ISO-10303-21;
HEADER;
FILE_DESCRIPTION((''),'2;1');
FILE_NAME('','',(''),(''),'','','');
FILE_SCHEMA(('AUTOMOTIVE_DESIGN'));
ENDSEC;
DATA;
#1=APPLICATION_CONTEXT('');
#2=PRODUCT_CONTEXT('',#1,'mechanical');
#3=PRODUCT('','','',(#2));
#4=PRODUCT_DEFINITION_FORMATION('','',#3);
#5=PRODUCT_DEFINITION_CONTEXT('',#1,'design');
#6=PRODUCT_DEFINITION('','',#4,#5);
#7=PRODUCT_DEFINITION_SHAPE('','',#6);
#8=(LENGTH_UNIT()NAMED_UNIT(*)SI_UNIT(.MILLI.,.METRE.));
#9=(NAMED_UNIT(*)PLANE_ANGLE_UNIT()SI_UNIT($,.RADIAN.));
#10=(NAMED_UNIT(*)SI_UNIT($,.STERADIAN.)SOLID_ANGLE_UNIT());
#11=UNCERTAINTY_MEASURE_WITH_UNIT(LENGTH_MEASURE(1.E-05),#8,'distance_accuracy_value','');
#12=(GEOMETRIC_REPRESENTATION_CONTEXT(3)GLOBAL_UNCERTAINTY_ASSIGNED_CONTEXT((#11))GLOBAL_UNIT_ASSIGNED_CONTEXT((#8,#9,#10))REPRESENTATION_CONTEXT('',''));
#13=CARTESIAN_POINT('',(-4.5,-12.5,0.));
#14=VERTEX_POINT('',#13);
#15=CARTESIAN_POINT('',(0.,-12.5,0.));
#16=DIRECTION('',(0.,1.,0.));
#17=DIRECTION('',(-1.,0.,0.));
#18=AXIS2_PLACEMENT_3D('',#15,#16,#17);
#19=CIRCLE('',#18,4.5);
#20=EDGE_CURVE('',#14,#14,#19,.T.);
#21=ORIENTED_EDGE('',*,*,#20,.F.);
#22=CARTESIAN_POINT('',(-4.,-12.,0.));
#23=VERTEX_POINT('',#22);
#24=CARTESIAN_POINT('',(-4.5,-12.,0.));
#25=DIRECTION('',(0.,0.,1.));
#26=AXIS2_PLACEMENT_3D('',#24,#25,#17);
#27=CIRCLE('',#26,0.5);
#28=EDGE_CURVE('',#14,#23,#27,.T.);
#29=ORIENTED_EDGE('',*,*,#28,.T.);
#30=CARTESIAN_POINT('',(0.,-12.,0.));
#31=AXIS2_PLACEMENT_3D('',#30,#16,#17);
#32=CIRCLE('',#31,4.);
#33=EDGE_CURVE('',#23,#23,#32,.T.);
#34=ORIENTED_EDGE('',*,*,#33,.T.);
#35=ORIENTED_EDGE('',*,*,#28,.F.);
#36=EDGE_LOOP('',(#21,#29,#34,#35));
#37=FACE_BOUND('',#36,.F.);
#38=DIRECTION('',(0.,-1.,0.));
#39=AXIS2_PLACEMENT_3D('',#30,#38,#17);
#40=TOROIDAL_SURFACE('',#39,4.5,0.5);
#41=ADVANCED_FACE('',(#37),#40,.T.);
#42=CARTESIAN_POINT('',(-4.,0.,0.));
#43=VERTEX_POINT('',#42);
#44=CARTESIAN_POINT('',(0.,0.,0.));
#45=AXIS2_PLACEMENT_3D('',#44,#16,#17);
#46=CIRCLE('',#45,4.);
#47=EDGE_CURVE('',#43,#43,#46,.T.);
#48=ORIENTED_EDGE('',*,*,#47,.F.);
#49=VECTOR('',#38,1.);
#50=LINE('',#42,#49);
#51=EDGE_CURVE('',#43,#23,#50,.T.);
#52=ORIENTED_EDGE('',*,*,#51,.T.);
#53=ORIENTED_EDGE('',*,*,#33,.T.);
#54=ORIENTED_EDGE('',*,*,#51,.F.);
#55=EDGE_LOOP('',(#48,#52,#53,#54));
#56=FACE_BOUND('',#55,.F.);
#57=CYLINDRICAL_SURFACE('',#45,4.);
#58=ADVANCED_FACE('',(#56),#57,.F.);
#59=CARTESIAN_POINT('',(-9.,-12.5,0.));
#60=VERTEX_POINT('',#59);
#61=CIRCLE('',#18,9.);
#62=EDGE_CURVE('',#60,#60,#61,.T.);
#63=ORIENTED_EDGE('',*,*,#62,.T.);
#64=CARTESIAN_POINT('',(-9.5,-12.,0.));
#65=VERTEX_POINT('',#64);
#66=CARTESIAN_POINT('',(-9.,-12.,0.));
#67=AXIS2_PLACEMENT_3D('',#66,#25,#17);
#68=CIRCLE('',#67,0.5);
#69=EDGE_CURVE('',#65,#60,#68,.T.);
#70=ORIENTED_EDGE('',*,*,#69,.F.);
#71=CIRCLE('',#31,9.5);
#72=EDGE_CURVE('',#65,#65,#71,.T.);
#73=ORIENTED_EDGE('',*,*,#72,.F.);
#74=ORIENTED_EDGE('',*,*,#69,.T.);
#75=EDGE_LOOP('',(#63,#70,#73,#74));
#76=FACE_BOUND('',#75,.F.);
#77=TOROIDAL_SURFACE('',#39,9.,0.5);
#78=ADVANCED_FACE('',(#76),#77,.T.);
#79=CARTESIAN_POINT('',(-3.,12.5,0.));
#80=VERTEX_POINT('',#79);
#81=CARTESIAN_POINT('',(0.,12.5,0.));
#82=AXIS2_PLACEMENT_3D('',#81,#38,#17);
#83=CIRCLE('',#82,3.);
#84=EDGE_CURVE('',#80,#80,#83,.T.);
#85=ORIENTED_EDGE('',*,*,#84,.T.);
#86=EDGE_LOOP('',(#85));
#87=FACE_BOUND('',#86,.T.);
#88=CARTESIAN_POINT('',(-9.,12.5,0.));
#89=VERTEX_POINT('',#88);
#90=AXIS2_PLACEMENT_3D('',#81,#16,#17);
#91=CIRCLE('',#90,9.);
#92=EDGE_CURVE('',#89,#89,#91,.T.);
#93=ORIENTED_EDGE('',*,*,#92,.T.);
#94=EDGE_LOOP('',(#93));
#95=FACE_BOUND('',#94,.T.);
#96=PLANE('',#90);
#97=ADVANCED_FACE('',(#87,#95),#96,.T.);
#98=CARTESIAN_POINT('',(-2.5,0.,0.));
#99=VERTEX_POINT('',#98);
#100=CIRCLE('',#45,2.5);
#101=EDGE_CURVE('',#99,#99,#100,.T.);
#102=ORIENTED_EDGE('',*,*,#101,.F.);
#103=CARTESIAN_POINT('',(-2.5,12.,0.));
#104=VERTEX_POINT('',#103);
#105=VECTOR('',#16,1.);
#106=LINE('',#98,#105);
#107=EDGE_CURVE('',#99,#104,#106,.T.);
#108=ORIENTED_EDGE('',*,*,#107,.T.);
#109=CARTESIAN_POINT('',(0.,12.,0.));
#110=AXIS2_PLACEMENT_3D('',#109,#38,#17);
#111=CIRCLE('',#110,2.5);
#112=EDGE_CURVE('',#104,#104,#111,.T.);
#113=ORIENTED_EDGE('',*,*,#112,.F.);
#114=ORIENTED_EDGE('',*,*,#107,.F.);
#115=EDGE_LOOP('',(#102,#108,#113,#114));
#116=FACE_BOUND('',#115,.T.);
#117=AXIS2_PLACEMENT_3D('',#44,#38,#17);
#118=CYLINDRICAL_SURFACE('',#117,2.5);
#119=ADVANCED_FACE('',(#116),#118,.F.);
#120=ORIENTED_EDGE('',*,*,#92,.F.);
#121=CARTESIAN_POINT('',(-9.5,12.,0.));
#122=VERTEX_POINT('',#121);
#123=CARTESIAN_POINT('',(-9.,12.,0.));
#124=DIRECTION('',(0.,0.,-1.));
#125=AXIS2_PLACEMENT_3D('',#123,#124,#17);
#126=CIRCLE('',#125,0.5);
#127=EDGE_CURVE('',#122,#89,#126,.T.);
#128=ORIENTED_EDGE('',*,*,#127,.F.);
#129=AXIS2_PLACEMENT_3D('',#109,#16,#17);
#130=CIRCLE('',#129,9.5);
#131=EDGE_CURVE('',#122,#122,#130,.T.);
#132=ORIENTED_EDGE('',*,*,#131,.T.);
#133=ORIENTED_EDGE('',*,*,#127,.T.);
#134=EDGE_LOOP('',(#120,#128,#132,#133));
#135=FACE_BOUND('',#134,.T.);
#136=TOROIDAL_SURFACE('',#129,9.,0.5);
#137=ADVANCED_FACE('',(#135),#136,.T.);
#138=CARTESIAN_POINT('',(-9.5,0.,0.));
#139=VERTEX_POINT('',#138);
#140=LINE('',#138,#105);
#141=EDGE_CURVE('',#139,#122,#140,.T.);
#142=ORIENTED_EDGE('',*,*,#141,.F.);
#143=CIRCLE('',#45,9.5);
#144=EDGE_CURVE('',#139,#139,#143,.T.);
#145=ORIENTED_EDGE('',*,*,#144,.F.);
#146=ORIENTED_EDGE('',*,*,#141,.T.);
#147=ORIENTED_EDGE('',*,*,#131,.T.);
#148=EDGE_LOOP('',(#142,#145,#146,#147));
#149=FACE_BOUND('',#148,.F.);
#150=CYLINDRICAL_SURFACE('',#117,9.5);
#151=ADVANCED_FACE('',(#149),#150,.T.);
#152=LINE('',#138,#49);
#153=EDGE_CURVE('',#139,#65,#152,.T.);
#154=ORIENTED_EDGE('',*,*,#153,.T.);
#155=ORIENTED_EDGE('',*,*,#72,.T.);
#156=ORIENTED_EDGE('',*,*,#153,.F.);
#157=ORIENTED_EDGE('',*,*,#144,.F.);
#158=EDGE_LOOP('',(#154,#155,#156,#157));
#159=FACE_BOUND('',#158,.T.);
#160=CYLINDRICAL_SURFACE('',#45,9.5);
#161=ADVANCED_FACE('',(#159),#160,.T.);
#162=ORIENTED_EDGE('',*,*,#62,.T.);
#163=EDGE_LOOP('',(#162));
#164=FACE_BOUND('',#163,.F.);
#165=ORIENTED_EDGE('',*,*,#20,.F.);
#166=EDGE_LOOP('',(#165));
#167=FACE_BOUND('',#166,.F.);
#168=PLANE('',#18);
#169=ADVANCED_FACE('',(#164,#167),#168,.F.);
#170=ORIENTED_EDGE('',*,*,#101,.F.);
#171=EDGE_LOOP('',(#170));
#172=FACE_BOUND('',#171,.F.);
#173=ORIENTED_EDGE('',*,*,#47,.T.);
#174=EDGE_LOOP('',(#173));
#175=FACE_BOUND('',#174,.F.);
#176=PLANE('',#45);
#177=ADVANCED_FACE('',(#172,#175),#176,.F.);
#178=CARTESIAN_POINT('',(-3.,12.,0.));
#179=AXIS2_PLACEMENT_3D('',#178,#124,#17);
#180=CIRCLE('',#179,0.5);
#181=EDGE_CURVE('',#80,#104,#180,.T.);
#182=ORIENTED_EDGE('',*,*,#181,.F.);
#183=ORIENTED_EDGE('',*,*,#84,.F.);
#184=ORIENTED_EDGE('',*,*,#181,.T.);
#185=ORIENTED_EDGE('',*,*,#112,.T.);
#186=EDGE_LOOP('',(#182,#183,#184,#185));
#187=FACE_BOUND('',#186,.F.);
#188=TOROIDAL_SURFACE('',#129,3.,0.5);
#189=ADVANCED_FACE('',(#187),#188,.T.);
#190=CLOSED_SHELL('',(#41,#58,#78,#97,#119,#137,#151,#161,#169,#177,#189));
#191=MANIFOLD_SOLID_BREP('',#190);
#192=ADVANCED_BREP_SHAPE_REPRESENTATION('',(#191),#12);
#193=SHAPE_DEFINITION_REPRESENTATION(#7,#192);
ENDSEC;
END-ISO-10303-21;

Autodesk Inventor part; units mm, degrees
ref_plane "YZ Plane" through (0, 0, 0) normal (1, 0, 0) x (0, 1, 0)
ref_plane "XZ Plane" through (0, 0, 0) normal (0, 1, 0) x (-1, 0, 0)
ref_plane "XY Plane" through (0, 0, 0) normal (0, 0, 1) x (1, 0, 0)
sketch "Sketch1" plane through (0, 0, 0) normal (0, 1, 0) x (-1, 0, 0)
  circle A0 centre (0, 0) radius 9.5
  dimension "d0" = 19
extrude "Extrusion1" add sketch "Sketch1" along normal mid plane 25
sketch "Sketch2" plane through (0, 0, 0) normal (0, 1, 0) x (-1, 0, 0)
  circle A0 centre (0, 0) radius 4
  circle A1 centre (0, 0) radius 2.5
  dimension "d3" = 8
  dimension "d4" = 5
extrude "Extrusion2" cut sketch "Sketch2" against normal blind 25 contours A0 | A1
extrude "Extrusion3" cut sketch "Sketch2" along normal blind 25 contours A1
fillet "Fillet1" radius 0.5 4 edges at (9.5, 12.5, 0) (9.5, -12.5, 0) (2.5, 12.5, 0) (4, -12.5, 0)
properties part number "Flx_Al_Coupling(5_8mm)"
